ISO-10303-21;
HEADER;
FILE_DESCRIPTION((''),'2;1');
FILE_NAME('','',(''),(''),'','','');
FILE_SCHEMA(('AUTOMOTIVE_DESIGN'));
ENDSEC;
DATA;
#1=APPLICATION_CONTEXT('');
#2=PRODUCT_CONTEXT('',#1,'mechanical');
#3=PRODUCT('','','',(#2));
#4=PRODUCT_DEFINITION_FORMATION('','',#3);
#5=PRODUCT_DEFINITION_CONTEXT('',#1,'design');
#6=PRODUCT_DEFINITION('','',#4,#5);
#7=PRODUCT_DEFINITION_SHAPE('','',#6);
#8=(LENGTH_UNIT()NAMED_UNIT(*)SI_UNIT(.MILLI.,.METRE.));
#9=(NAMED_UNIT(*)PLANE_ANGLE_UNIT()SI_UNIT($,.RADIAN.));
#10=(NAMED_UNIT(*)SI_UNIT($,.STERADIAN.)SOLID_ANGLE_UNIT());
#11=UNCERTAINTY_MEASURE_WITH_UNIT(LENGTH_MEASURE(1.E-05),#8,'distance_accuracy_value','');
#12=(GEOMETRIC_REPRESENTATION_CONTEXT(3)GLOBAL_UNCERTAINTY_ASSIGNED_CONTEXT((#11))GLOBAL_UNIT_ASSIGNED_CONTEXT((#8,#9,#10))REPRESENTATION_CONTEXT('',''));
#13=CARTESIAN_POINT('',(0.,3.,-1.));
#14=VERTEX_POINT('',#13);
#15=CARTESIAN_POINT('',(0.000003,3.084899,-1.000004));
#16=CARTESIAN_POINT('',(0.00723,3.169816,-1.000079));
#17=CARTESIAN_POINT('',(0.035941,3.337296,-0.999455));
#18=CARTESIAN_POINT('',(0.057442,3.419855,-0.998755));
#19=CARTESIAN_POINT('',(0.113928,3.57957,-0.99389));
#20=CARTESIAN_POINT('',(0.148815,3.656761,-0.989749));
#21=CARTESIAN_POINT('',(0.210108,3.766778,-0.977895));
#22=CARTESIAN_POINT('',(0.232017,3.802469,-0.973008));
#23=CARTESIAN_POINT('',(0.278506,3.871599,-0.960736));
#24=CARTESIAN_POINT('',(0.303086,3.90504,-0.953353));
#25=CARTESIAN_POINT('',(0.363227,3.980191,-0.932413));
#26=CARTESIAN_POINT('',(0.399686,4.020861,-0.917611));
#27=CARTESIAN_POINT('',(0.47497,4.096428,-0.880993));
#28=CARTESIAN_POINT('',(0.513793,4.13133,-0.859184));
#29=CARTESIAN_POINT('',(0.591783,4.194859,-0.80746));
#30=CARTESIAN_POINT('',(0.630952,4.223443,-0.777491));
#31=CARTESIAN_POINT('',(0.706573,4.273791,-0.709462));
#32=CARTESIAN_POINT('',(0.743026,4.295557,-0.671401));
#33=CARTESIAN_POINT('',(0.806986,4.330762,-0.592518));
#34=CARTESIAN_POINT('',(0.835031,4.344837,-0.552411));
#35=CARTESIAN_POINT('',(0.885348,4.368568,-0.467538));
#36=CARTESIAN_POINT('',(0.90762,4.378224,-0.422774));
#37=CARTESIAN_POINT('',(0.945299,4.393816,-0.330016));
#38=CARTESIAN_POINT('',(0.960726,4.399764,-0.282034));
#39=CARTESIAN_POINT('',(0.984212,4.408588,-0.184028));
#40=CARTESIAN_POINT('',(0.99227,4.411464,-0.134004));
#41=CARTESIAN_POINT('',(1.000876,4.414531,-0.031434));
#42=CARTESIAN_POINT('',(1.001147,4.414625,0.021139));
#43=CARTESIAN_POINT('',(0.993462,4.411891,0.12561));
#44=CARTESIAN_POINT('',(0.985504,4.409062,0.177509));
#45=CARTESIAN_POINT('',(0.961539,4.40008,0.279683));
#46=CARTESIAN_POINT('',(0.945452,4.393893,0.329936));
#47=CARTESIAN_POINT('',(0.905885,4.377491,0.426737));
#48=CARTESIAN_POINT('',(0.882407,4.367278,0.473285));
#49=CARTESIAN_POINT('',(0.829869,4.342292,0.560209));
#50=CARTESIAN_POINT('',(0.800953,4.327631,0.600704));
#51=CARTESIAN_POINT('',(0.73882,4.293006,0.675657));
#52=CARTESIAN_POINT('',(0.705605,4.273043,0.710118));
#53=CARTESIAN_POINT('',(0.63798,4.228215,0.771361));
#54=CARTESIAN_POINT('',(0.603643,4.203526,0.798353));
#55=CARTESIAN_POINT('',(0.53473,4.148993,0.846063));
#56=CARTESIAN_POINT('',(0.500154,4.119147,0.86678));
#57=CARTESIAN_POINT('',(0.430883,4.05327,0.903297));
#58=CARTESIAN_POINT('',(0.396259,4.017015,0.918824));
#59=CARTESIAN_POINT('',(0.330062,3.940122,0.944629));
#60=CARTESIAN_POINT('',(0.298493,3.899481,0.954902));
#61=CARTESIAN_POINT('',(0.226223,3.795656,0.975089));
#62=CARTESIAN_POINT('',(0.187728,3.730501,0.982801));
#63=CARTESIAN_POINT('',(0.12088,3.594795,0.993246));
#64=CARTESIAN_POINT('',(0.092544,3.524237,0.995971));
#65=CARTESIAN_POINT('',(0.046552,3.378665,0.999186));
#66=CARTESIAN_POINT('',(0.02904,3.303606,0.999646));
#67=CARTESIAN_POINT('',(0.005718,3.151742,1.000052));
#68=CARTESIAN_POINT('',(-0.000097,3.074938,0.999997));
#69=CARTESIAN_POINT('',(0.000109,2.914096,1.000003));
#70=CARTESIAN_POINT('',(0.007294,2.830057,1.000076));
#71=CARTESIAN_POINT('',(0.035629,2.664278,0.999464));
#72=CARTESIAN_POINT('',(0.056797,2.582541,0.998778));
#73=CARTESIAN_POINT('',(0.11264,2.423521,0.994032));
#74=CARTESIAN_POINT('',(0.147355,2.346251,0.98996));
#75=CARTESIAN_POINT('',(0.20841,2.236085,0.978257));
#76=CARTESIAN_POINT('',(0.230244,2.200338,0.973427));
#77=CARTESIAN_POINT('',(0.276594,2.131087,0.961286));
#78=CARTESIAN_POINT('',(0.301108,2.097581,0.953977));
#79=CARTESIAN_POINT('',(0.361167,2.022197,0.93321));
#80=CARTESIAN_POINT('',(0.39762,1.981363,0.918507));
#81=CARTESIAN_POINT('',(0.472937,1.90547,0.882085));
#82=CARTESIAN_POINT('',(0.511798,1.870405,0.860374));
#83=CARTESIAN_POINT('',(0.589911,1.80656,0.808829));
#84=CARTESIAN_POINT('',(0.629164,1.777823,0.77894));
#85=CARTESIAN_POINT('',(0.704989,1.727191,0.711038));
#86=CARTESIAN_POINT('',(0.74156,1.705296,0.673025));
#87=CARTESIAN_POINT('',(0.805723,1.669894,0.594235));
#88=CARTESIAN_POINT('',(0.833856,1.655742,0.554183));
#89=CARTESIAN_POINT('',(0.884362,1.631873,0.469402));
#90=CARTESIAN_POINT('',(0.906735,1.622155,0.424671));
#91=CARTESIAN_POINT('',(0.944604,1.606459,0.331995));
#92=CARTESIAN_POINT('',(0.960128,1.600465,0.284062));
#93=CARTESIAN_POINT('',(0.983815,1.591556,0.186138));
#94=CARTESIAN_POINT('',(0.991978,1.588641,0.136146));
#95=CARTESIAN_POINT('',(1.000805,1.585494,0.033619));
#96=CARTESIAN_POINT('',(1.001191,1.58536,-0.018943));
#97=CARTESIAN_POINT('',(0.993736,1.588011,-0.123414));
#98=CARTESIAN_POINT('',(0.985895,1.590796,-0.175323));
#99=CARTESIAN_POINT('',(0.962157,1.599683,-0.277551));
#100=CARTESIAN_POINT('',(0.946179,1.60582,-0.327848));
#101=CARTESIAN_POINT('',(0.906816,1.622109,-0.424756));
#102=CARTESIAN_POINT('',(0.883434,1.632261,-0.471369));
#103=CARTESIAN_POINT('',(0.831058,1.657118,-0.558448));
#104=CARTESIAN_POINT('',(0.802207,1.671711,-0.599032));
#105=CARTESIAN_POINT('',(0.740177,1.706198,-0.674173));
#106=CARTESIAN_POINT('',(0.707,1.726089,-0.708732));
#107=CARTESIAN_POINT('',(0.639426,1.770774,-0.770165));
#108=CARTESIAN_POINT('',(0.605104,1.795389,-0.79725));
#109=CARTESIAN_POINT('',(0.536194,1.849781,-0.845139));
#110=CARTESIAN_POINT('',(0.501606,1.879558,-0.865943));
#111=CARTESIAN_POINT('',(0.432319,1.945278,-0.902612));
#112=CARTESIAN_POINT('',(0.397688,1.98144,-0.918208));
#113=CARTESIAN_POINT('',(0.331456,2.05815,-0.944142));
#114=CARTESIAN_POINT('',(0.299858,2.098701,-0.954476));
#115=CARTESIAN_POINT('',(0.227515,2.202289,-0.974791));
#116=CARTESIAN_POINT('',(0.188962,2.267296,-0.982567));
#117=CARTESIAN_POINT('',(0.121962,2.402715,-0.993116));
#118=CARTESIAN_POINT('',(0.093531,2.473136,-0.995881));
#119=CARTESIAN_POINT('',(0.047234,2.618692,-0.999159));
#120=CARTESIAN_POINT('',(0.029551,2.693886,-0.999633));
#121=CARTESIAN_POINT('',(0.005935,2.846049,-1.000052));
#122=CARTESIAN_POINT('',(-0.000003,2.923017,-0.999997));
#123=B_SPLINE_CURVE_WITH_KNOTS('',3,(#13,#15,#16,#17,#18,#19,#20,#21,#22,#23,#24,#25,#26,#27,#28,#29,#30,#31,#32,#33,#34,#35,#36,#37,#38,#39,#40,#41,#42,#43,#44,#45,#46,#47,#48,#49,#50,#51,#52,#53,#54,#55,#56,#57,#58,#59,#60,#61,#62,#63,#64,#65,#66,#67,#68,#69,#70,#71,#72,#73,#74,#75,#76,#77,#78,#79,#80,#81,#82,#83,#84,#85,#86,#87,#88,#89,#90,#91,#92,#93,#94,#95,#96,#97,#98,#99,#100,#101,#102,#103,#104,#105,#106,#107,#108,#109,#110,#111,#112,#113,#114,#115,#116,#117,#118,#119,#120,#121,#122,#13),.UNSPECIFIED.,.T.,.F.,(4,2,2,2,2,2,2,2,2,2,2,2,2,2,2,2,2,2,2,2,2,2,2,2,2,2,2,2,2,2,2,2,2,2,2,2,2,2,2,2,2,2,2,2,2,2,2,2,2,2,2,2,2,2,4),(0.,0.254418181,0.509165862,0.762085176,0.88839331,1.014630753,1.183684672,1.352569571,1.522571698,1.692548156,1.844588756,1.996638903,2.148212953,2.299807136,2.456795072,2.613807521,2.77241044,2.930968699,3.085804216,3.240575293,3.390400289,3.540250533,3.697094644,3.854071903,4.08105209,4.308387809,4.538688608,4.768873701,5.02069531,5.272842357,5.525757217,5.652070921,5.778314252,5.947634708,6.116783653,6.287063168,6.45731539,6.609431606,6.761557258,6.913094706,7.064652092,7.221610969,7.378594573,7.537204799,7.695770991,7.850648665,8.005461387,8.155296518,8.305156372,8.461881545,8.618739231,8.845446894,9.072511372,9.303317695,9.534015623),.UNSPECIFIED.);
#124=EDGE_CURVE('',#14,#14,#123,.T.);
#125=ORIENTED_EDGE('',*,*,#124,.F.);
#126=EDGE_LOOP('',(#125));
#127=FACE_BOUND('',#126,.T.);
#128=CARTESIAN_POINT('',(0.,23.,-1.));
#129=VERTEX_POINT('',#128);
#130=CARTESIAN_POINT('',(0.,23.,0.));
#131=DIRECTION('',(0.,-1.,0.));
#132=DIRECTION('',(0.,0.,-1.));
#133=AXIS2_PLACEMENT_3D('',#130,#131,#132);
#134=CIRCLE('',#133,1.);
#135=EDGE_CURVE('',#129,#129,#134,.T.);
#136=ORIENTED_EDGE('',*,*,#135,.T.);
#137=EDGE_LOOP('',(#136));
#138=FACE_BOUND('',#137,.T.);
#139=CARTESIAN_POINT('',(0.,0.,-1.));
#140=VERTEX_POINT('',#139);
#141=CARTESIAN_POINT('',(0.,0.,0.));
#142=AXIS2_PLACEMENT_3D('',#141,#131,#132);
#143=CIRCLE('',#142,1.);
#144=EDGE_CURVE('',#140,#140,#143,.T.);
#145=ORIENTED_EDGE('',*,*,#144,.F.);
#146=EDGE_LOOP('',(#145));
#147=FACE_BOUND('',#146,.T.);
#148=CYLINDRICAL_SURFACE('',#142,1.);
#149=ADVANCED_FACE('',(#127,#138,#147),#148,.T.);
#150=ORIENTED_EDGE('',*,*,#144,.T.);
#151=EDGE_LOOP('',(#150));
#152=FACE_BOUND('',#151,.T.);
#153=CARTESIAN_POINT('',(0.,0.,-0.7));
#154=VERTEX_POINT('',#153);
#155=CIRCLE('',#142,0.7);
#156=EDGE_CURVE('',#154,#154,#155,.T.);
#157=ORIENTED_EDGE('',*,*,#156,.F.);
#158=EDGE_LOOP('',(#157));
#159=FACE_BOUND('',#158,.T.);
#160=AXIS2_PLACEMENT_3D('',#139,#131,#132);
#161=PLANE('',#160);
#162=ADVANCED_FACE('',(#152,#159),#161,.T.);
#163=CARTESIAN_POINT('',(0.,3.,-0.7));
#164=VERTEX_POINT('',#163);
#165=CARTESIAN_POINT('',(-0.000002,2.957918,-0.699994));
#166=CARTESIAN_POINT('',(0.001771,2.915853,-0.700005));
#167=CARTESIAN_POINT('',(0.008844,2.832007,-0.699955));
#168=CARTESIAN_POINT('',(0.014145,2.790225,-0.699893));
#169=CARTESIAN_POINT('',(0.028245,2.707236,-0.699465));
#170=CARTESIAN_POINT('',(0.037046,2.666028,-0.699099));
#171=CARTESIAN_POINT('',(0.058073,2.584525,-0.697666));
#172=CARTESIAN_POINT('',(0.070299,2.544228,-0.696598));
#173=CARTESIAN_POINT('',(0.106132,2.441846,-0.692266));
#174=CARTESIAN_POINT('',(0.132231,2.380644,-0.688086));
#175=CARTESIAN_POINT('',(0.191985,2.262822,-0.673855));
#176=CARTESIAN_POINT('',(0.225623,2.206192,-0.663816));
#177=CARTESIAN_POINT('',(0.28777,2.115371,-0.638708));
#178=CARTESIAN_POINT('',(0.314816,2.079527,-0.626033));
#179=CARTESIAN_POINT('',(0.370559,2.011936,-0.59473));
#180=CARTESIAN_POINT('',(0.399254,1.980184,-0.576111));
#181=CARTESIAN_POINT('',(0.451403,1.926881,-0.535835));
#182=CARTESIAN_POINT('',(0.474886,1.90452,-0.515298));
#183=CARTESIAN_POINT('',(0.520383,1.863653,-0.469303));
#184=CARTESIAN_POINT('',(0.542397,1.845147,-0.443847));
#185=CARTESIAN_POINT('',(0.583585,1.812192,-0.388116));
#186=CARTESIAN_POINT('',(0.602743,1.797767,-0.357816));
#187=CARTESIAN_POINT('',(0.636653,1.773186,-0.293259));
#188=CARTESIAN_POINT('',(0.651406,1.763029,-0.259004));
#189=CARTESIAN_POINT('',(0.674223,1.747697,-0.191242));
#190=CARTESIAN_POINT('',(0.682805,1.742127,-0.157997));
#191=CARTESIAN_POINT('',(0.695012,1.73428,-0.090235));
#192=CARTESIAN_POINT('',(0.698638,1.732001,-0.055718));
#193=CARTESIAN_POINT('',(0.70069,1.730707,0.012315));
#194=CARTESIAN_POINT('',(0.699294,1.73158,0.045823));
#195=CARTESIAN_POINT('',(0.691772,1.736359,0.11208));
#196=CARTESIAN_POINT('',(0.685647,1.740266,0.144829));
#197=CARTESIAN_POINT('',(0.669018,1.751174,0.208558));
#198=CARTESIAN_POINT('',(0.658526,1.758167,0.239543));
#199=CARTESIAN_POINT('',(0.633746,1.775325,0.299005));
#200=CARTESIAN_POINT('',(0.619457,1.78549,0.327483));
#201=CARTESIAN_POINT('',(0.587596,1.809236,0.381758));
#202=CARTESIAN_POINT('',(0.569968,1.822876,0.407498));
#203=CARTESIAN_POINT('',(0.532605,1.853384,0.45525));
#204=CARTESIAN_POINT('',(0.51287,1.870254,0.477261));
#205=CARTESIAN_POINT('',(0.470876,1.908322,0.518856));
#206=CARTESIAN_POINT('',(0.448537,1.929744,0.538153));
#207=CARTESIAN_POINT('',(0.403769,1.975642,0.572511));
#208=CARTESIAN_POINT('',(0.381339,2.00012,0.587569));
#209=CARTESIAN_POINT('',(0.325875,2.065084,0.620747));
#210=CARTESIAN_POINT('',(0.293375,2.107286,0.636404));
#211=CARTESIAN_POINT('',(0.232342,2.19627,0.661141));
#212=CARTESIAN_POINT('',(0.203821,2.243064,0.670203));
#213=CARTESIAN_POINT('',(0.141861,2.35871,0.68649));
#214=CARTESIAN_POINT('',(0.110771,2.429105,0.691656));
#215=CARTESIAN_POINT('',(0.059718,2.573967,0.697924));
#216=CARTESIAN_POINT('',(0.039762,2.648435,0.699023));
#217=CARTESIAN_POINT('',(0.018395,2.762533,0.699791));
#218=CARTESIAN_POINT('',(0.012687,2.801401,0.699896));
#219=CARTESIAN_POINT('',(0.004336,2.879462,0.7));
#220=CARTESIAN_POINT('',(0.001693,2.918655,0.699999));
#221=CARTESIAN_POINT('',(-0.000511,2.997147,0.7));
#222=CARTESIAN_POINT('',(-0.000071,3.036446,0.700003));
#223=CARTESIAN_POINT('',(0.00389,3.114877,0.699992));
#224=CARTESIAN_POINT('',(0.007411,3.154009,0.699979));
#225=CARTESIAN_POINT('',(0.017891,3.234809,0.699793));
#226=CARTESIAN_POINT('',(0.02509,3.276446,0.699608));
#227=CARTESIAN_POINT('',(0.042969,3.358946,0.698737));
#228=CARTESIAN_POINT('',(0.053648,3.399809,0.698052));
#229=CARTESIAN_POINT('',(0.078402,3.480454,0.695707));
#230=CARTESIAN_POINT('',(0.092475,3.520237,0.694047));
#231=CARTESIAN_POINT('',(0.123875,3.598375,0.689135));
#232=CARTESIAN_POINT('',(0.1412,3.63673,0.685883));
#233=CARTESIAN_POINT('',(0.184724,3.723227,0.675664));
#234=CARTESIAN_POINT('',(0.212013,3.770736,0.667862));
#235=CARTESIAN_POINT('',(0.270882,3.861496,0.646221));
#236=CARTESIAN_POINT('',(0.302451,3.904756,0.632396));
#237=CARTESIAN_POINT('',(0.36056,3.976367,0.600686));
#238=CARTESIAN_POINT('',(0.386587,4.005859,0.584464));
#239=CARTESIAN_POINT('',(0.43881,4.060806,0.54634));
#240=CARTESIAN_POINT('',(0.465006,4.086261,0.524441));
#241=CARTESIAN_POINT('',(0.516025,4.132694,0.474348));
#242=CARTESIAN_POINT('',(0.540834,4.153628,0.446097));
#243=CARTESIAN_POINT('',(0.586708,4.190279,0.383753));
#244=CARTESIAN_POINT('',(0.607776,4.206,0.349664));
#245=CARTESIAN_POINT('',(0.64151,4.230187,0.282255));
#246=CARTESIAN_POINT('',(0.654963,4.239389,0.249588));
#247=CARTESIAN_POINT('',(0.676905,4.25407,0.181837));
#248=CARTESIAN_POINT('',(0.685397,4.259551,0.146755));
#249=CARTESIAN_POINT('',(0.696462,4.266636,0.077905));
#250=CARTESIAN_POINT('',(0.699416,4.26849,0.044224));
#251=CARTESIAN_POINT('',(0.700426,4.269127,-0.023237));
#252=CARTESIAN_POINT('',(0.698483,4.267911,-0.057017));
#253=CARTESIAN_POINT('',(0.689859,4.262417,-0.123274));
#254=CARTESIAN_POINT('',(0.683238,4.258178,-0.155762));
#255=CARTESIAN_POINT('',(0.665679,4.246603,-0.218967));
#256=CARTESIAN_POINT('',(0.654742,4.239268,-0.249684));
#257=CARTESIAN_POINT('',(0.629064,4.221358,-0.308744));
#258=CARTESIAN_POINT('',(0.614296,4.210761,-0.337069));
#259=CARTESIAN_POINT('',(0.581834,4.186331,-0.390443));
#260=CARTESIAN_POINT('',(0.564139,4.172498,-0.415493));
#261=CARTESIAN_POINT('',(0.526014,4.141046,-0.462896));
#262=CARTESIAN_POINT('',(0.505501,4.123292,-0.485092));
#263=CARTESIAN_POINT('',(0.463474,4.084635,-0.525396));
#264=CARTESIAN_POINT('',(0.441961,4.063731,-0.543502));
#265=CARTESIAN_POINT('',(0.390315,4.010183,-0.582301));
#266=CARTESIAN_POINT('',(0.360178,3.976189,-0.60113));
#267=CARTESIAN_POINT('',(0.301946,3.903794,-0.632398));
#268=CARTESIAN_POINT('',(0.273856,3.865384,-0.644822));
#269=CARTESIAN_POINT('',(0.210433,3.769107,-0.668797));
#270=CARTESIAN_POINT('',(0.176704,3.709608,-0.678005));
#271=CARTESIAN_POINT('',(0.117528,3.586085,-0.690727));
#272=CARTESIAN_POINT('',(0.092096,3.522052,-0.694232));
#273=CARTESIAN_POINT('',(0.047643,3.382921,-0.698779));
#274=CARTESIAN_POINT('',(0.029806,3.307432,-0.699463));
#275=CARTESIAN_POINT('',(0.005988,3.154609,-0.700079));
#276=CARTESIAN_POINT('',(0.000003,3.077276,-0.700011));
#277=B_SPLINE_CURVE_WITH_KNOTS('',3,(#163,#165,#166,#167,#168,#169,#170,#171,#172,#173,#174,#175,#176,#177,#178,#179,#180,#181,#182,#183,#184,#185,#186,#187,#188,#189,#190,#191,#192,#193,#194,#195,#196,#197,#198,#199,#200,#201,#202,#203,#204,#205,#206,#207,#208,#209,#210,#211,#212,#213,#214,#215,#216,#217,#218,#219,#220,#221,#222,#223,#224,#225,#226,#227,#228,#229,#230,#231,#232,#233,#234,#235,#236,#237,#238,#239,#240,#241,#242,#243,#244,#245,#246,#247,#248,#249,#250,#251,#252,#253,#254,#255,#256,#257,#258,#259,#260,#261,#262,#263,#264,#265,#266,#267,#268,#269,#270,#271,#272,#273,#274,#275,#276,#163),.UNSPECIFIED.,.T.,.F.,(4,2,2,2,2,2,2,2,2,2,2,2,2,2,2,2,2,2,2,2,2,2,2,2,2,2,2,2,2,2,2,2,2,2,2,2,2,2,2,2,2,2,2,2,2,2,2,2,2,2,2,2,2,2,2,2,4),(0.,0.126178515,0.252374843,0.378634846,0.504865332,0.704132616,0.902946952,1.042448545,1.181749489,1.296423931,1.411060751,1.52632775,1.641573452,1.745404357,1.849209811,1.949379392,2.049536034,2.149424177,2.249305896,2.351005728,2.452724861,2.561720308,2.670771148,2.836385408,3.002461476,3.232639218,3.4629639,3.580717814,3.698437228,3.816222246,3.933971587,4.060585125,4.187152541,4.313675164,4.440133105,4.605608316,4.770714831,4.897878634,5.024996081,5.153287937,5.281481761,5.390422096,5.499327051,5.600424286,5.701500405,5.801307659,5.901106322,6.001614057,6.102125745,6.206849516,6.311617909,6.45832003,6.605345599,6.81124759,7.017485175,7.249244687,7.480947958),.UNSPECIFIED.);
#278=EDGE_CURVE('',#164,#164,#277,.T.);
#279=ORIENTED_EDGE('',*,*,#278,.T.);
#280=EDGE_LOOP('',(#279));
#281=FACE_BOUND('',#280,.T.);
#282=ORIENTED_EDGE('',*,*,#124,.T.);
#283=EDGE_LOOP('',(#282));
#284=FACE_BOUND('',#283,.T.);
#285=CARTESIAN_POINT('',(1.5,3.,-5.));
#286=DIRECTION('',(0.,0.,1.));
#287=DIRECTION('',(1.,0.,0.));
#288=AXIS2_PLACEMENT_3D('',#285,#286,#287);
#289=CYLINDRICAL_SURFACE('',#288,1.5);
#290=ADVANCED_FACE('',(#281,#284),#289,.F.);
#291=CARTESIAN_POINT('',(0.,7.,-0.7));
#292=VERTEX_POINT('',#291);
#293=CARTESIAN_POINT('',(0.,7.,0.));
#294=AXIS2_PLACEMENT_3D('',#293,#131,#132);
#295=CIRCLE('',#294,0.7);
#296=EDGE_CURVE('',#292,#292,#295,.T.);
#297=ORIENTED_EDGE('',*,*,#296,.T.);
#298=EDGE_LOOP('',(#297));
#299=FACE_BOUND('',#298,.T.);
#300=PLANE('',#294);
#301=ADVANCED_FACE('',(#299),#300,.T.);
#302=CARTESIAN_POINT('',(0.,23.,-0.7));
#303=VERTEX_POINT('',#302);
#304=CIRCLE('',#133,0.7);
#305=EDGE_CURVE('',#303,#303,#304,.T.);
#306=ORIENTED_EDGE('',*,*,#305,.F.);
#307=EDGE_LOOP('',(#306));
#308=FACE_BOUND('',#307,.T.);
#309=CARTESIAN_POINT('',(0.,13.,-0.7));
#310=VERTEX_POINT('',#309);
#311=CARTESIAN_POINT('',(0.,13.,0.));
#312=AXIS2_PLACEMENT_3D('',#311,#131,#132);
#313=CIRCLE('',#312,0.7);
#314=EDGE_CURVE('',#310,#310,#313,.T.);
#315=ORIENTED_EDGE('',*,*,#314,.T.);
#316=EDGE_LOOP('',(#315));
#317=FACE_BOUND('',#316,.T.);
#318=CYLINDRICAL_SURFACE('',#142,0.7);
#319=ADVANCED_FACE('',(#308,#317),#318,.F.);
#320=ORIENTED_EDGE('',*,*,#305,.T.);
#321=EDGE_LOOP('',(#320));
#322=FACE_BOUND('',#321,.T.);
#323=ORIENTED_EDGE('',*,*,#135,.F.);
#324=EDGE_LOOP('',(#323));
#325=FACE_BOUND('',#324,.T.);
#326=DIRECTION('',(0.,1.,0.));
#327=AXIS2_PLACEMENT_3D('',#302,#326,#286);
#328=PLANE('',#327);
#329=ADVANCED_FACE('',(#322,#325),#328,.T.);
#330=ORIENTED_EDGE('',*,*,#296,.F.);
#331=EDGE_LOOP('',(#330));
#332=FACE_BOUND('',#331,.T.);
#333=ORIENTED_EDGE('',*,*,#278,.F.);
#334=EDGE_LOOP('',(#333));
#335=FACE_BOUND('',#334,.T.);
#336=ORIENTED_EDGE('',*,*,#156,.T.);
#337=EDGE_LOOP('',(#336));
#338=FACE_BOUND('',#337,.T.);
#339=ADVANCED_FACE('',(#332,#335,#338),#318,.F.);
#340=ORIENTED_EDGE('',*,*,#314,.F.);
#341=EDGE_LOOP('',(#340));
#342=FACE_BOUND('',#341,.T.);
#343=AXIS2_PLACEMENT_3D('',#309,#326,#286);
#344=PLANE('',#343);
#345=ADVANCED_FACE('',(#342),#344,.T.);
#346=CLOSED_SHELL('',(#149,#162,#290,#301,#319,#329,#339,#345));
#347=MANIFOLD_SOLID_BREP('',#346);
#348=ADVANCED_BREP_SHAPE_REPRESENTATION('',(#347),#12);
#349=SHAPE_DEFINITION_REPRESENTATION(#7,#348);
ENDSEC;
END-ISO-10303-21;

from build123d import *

# Parameters (mm, degrees)
SKETCH_2_R          = 1.5
CUT_EXTRUDE_1_DEPTH = 5


with BuildPart() as part:
    # Эскиз1 → Повернуть1 (revolve)
    with BuildSketch(Plane(origin=(0, 0, 0), x_dir=(0, 0, -1), z_dir=(1, 0, 0))):
        Polygon((0.7, 13), (0, 13), (0, 7), (0.7, 7), (0.7, 0), (1, 0), (1, 23), (0.7, 23), align=None)
    revolve(axis=Axis((0, 0, 0), (0, 1, 0)))

    # Эскиз2 → Вырез-Вытянуть1 (cut, symmetric)
    with BuildSketch(Plane.XY):
        with Locations((1.5, 3)):
            Circle(SKETCH_2_R)
    extrude(amount=CUT_EXTRUDE_1_DEPTH, both=True, mode=Mode.SUBTRACT)


solid = part.part
